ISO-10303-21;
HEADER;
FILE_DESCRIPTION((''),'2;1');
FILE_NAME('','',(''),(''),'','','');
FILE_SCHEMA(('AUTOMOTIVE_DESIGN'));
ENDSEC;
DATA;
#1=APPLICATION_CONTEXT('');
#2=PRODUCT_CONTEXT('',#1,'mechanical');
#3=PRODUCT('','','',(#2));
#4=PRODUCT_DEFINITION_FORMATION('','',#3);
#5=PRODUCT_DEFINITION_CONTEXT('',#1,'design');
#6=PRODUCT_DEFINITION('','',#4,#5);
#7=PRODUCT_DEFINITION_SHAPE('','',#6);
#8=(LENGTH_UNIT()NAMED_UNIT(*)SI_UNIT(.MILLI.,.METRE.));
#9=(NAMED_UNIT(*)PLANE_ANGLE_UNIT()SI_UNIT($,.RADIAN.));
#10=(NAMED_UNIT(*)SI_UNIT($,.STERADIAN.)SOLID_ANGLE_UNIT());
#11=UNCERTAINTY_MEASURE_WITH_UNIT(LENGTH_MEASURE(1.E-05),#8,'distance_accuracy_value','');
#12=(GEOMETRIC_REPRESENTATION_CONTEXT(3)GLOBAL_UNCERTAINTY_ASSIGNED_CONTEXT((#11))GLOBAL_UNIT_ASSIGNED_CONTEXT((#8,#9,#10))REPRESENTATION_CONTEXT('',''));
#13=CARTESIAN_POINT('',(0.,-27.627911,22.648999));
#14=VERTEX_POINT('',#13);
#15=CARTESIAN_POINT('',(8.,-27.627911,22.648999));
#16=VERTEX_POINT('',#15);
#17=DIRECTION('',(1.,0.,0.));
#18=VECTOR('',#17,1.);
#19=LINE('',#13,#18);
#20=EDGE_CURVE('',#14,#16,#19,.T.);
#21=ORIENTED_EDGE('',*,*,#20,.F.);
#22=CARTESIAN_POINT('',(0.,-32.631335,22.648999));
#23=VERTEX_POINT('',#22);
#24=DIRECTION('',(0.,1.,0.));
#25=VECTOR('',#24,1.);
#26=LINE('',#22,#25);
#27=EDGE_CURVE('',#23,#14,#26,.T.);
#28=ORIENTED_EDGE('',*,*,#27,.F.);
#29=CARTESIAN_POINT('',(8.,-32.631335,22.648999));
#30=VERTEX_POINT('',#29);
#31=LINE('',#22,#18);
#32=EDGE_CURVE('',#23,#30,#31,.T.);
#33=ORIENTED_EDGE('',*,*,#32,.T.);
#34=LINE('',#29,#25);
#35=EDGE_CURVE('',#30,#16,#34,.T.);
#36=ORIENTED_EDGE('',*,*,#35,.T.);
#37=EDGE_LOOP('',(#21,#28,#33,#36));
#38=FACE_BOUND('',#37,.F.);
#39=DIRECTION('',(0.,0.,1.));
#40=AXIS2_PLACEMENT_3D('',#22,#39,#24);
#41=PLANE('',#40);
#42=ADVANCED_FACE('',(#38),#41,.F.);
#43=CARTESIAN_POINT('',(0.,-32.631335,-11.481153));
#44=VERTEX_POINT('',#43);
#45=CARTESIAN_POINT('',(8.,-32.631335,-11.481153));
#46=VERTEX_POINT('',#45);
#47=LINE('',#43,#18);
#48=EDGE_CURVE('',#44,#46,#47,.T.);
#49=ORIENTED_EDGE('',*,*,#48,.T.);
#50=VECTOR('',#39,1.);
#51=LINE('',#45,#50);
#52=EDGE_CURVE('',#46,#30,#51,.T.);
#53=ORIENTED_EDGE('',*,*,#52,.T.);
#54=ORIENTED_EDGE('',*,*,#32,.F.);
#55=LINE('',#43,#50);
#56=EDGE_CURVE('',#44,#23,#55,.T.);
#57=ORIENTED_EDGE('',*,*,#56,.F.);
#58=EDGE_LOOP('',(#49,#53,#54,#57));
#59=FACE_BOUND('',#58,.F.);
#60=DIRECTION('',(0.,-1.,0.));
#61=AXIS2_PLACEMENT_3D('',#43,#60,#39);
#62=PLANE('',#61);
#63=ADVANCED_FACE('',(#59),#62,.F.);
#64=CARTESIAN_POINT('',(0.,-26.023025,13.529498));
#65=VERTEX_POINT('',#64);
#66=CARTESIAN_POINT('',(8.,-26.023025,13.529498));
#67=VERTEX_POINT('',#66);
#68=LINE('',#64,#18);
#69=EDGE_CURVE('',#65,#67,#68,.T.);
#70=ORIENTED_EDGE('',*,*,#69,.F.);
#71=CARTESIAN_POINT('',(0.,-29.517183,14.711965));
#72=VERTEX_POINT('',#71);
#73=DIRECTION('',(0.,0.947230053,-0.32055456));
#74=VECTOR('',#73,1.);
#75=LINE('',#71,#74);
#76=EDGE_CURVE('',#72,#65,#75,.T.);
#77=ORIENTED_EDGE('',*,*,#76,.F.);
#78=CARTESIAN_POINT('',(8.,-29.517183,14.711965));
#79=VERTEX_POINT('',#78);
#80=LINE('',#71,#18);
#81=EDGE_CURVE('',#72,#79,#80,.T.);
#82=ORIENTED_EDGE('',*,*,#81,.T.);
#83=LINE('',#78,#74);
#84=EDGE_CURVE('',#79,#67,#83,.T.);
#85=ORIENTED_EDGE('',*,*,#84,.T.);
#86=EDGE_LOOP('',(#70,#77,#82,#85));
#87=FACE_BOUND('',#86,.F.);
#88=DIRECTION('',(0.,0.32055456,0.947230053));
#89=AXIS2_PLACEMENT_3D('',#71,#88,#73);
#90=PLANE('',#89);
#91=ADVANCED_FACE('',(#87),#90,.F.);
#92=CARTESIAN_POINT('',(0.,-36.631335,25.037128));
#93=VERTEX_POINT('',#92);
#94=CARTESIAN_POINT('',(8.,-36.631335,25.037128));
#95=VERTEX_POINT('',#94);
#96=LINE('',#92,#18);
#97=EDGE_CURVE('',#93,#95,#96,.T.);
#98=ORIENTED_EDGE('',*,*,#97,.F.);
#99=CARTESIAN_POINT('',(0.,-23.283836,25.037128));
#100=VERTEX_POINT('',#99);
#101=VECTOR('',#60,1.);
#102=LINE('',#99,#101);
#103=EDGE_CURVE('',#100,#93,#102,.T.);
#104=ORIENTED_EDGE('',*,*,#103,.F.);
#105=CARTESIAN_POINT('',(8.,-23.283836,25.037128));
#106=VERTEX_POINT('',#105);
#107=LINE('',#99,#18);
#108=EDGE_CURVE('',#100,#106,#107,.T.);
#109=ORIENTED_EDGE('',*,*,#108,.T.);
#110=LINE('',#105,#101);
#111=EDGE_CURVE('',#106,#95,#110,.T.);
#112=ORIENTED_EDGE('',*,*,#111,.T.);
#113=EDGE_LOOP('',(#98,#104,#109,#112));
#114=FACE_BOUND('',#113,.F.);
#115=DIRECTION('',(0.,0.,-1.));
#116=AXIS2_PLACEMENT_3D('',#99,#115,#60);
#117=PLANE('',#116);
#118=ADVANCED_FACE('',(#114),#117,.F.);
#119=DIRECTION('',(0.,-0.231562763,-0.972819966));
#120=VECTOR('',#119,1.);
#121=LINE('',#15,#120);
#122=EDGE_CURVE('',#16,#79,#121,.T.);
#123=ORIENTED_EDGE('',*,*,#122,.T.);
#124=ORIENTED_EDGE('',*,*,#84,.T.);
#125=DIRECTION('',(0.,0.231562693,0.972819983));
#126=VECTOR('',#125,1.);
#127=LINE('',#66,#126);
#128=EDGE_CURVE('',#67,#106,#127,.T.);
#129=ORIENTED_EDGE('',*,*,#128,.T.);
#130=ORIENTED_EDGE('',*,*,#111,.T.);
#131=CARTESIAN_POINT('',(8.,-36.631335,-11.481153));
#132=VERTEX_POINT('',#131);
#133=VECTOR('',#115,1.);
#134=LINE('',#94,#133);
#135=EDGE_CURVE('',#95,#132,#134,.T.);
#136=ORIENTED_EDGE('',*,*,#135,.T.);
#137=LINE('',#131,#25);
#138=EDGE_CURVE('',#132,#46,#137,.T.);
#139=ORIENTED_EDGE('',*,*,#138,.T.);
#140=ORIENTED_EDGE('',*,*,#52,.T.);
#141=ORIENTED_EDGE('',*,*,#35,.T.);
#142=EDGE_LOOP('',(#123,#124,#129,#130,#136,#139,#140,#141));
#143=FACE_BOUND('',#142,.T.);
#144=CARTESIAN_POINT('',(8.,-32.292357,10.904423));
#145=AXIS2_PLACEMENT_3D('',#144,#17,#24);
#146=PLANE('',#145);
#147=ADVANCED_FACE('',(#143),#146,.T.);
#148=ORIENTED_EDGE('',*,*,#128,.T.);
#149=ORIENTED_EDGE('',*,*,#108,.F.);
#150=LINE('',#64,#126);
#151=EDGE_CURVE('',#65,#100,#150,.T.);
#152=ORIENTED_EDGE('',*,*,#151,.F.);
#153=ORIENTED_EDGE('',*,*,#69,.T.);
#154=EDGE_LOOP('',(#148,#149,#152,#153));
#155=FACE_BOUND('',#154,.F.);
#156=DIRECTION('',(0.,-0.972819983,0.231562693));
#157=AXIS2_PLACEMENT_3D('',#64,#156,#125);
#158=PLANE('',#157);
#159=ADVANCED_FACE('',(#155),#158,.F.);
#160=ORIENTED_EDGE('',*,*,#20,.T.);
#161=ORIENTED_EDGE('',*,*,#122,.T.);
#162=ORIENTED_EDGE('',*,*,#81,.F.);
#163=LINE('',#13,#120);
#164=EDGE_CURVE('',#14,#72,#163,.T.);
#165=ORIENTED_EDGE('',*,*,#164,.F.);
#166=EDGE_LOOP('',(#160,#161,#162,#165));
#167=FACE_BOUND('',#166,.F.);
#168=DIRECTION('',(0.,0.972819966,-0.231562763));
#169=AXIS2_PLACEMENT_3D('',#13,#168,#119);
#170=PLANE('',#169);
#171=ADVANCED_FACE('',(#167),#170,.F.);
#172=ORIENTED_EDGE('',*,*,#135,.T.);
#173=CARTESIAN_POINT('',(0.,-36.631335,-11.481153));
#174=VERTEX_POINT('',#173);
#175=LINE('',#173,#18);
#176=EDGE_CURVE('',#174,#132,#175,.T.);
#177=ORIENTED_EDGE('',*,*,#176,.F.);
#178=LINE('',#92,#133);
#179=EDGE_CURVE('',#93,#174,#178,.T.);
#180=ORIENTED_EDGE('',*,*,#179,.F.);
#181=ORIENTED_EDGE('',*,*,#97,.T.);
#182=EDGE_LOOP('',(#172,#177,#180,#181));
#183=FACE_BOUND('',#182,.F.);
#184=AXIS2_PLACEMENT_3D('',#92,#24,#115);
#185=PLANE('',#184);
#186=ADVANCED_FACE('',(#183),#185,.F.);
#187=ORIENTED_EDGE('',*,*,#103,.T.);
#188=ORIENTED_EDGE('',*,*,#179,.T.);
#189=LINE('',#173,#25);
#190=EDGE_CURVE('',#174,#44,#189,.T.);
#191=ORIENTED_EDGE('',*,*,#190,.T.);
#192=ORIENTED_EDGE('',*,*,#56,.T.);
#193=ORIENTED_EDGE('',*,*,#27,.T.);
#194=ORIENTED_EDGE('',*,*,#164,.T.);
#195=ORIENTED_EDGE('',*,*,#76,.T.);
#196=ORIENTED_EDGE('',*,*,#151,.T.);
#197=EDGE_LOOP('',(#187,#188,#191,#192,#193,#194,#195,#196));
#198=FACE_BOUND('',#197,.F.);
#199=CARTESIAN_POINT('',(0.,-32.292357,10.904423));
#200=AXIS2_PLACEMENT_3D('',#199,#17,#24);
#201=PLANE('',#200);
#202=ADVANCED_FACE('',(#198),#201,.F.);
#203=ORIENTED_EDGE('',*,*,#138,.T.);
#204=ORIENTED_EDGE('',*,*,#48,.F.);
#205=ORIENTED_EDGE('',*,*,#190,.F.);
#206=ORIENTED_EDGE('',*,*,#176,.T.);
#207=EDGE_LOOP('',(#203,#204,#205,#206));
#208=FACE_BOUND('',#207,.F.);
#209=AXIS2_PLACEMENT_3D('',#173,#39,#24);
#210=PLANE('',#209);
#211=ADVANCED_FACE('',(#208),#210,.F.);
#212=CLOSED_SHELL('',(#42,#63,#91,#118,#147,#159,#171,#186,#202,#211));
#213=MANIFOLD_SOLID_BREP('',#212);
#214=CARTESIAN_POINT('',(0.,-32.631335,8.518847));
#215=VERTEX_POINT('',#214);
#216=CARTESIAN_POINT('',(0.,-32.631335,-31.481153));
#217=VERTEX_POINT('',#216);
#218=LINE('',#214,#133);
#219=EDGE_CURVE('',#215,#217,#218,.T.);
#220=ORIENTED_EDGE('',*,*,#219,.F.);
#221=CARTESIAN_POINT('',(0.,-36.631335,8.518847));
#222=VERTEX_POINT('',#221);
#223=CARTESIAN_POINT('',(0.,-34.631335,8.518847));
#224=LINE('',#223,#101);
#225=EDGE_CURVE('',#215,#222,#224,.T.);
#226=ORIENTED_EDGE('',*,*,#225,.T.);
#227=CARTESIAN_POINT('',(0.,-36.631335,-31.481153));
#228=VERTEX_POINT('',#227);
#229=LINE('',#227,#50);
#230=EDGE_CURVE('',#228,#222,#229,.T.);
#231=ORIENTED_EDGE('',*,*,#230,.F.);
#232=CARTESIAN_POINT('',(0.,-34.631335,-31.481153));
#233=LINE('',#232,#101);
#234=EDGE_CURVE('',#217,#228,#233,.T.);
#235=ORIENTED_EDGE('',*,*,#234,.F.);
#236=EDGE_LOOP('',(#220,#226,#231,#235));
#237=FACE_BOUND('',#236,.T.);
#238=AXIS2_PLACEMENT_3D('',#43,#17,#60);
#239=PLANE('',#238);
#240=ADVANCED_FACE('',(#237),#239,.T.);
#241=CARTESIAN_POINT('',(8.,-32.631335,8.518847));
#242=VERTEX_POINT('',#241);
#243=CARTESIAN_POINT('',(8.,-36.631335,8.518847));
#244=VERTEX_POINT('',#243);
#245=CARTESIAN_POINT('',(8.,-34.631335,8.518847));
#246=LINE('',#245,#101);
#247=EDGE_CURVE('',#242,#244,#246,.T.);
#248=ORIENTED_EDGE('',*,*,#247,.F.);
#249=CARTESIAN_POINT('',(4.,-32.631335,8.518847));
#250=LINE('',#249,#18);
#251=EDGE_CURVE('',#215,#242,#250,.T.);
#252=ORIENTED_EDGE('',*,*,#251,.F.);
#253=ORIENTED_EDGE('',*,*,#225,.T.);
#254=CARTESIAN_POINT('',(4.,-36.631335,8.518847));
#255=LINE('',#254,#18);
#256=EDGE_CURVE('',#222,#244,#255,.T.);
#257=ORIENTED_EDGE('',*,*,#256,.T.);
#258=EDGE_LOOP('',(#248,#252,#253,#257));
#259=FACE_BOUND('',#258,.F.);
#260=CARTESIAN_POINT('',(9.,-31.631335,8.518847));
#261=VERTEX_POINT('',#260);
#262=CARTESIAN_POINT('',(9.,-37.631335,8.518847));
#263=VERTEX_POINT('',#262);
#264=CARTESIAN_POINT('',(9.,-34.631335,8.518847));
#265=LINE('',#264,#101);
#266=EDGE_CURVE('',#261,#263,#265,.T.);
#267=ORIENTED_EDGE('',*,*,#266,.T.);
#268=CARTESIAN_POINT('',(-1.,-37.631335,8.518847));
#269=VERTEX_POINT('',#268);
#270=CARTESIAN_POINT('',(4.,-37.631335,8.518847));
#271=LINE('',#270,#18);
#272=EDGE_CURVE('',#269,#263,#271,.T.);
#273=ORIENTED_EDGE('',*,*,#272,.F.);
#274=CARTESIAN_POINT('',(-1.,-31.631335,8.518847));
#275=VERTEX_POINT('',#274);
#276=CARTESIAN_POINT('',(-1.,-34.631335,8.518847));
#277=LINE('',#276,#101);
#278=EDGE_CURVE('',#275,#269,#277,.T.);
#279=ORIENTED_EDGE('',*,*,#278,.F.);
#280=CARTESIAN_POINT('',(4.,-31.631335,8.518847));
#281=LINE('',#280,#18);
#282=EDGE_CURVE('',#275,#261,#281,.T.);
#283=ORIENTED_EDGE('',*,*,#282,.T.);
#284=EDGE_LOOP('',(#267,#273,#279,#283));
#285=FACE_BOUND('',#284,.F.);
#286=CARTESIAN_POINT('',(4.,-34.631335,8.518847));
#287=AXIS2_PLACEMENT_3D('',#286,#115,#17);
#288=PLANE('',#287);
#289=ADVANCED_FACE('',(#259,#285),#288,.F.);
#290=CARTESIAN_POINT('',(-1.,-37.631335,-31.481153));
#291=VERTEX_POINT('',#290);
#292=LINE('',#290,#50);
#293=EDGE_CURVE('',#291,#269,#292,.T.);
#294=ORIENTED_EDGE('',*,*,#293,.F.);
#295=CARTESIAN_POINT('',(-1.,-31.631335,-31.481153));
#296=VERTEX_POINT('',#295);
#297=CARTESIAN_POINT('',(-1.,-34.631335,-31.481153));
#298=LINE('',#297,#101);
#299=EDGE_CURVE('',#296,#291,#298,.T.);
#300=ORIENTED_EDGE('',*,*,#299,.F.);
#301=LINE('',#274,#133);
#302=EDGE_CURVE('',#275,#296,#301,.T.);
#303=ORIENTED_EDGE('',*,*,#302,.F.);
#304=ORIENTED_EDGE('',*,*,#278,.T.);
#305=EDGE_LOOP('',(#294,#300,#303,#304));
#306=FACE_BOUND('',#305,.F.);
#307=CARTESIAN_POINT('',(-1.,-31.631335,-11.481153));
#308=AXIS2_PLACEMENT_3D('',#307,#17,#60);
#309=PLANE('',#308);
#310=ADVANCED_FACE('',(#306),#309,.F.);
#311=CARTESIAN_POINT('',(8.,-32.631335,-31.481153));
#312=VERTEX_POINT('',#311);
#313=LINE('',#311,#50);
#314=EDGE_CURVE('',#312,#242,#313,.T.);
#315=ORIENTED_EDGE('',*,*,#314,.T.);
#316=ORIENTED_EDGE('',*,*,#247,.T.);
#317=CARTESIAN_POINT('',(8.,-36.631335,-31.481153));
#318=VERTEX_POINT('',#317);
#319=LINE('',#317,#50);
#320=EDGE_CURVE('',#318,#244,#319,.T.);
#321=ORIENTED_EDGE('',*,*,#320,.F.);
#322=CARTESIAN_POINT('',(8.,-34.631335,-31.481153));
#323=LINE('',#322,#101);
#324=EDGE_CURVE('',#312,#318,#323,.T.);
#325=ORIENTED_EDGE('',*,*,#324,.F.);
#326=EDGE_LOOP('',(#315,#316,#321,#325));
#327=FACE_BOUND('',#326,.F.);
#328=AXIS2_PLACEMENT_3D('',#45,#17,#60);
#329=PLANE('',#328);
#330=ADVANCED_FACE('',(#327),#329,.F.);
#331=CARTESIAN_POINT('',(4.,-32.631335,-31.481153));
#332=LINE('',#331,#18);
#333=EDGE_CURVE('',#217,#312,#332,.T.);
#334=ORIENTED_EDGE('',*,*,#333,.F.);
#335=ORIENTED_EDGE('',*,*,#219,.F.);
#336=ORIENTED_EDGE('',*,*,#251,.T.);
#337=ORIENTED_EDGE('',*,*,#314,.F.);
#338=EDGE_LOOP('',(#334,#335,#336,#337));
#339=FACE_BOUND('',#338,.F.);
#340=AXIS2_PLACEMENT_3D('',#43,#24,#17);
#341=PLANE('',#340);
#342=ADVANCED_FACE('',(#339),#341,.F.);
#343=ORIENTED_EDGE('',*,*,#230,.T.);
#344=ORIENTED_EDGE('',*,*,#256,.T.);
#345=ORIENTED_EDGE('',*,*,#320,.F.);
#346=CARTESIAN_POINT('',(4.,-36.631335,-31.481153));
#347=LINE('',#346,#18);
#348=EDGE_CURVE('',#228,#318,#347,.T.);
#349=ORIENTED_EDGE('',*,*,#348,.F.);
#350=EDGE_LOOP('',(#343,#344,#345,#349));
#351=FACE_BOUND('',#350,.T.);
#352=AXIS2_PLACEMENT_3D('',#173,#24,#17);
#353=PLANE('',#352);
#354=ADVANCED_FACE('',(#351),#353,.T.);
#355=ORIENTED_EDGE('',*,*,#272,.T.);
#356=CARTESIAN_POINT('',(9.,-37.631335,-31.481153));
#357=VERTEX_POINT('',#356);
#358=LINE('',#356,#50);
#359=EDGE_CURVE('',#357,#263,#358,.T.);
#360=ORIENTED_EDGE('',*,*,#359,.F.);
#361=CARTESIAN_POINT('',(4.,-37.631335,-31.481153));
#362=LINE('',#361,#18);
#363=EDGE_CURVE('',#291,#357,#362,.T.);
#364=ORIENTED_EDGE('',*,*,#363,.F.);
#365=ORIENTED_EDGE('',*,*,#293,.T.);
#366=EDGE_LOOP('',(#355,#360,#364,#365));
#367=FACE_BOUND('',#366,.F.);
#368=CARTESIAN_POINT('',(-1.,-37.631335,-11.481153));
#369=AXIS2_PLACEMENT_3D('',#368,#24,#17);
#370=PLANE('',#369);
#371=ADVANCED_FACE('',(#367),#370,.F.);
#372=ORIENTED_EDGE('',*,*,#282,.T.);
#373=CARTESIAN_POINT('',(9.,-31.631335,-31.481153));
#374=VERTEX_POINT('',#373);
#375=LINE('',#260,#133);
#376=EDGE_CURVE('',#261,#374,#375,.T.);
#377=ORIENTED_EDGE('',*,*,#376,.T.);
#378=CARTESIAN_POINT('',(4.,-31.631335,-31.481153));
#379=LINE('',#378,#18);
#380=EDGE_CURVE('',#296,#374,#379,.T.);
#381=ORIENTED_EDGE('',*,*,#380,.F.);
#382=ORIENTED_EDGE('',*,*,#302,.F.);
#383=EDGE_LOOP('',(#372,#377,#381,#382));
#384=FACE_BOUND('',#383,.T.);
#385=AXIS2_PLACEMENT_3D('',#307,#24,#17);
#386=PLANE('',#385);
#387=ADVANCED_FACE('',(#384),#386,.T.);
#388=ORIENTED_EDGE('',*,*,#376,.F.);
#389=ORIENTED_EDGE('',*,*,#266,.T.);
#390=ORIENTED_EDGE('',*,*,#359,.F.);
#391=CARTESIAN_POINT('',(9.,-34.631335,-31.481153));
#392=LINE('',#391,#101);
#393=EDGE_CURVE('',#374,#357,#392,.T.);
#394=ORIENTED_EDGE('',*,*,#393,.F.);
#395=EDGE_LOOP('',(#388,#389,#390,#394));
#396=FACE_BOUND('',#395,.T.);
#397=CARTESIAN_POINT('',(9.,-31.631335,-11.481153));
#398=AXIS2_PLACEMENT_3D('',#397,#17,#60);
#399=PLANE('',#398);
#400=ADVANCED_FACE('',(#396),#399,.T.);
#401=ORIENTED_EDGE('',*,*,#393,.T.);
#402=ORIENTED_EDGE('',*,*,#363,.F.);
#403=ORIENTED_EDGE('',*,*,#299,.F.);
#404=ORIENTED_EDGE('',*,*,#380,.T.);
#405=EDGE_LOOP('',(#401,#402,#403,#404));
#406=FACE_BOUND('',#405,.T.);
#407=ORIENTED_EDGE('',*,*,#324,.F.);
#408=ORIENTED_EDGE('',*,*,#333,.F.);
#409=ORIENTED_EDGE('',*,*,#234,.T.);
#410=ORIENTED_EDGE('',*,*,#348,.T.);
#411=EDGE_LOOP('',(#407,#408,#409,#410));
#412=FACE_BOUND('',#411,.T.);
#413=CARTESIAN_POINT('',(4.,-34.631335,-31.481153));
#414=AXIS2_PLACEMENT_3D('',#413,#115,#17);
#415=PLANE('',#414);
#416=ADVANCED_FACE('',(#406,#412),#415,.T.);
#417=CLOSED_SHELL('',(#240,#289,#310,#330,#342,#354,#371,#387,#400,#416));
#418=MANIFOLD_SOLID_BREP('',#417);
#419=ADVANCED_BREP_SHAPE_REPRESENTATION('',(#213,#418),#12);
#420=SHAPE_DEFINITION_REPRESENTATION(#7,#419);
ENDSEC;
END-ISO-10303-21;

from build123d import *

# Parameters (mm, degrees)
F1_DEPTH = 8
F2_W     = 10
F2_H     = 6
F2_W_2   = 8
F2_H_2   = 4
F3_DEPTH = 20


with BuildPart() as f1:
    # F0 (on Right) → F1 (new body)
    with BuildSketch(Plane.YZ):
        Polygon((-32.631335, -11.481153), (-32.631335, 22.648999), (-27.627911, 22.648999), (-29.517183, 14.711965), (-26.023025, 13.529498), (-23.283836, 25.037128), (-36.631335, 25.037128), (-36.631335, -11.481153), align=None)
    extrude(amount=F1_DEPTH)


with BuildPart() as f3:
    # F2 (on face) → F3 (new body, symmetric)
    with BuildSketch(Plane(origin=(0, 0, -11.481153), x_dir=(1, 0, 0), z_dir=(0, 0, -1))):
        with Locations((4, 34.631335)):
            Rectangle(F2_W, F2_H)
        with Locations((4, 34.631335)):
            Rectangle(F2_W_2, F2_H_2, mode=Mode.SUBTRACT)
    extrude(amount=F3_DEPTH, both=True)


solid = Compound([f1.part, f3.part])
